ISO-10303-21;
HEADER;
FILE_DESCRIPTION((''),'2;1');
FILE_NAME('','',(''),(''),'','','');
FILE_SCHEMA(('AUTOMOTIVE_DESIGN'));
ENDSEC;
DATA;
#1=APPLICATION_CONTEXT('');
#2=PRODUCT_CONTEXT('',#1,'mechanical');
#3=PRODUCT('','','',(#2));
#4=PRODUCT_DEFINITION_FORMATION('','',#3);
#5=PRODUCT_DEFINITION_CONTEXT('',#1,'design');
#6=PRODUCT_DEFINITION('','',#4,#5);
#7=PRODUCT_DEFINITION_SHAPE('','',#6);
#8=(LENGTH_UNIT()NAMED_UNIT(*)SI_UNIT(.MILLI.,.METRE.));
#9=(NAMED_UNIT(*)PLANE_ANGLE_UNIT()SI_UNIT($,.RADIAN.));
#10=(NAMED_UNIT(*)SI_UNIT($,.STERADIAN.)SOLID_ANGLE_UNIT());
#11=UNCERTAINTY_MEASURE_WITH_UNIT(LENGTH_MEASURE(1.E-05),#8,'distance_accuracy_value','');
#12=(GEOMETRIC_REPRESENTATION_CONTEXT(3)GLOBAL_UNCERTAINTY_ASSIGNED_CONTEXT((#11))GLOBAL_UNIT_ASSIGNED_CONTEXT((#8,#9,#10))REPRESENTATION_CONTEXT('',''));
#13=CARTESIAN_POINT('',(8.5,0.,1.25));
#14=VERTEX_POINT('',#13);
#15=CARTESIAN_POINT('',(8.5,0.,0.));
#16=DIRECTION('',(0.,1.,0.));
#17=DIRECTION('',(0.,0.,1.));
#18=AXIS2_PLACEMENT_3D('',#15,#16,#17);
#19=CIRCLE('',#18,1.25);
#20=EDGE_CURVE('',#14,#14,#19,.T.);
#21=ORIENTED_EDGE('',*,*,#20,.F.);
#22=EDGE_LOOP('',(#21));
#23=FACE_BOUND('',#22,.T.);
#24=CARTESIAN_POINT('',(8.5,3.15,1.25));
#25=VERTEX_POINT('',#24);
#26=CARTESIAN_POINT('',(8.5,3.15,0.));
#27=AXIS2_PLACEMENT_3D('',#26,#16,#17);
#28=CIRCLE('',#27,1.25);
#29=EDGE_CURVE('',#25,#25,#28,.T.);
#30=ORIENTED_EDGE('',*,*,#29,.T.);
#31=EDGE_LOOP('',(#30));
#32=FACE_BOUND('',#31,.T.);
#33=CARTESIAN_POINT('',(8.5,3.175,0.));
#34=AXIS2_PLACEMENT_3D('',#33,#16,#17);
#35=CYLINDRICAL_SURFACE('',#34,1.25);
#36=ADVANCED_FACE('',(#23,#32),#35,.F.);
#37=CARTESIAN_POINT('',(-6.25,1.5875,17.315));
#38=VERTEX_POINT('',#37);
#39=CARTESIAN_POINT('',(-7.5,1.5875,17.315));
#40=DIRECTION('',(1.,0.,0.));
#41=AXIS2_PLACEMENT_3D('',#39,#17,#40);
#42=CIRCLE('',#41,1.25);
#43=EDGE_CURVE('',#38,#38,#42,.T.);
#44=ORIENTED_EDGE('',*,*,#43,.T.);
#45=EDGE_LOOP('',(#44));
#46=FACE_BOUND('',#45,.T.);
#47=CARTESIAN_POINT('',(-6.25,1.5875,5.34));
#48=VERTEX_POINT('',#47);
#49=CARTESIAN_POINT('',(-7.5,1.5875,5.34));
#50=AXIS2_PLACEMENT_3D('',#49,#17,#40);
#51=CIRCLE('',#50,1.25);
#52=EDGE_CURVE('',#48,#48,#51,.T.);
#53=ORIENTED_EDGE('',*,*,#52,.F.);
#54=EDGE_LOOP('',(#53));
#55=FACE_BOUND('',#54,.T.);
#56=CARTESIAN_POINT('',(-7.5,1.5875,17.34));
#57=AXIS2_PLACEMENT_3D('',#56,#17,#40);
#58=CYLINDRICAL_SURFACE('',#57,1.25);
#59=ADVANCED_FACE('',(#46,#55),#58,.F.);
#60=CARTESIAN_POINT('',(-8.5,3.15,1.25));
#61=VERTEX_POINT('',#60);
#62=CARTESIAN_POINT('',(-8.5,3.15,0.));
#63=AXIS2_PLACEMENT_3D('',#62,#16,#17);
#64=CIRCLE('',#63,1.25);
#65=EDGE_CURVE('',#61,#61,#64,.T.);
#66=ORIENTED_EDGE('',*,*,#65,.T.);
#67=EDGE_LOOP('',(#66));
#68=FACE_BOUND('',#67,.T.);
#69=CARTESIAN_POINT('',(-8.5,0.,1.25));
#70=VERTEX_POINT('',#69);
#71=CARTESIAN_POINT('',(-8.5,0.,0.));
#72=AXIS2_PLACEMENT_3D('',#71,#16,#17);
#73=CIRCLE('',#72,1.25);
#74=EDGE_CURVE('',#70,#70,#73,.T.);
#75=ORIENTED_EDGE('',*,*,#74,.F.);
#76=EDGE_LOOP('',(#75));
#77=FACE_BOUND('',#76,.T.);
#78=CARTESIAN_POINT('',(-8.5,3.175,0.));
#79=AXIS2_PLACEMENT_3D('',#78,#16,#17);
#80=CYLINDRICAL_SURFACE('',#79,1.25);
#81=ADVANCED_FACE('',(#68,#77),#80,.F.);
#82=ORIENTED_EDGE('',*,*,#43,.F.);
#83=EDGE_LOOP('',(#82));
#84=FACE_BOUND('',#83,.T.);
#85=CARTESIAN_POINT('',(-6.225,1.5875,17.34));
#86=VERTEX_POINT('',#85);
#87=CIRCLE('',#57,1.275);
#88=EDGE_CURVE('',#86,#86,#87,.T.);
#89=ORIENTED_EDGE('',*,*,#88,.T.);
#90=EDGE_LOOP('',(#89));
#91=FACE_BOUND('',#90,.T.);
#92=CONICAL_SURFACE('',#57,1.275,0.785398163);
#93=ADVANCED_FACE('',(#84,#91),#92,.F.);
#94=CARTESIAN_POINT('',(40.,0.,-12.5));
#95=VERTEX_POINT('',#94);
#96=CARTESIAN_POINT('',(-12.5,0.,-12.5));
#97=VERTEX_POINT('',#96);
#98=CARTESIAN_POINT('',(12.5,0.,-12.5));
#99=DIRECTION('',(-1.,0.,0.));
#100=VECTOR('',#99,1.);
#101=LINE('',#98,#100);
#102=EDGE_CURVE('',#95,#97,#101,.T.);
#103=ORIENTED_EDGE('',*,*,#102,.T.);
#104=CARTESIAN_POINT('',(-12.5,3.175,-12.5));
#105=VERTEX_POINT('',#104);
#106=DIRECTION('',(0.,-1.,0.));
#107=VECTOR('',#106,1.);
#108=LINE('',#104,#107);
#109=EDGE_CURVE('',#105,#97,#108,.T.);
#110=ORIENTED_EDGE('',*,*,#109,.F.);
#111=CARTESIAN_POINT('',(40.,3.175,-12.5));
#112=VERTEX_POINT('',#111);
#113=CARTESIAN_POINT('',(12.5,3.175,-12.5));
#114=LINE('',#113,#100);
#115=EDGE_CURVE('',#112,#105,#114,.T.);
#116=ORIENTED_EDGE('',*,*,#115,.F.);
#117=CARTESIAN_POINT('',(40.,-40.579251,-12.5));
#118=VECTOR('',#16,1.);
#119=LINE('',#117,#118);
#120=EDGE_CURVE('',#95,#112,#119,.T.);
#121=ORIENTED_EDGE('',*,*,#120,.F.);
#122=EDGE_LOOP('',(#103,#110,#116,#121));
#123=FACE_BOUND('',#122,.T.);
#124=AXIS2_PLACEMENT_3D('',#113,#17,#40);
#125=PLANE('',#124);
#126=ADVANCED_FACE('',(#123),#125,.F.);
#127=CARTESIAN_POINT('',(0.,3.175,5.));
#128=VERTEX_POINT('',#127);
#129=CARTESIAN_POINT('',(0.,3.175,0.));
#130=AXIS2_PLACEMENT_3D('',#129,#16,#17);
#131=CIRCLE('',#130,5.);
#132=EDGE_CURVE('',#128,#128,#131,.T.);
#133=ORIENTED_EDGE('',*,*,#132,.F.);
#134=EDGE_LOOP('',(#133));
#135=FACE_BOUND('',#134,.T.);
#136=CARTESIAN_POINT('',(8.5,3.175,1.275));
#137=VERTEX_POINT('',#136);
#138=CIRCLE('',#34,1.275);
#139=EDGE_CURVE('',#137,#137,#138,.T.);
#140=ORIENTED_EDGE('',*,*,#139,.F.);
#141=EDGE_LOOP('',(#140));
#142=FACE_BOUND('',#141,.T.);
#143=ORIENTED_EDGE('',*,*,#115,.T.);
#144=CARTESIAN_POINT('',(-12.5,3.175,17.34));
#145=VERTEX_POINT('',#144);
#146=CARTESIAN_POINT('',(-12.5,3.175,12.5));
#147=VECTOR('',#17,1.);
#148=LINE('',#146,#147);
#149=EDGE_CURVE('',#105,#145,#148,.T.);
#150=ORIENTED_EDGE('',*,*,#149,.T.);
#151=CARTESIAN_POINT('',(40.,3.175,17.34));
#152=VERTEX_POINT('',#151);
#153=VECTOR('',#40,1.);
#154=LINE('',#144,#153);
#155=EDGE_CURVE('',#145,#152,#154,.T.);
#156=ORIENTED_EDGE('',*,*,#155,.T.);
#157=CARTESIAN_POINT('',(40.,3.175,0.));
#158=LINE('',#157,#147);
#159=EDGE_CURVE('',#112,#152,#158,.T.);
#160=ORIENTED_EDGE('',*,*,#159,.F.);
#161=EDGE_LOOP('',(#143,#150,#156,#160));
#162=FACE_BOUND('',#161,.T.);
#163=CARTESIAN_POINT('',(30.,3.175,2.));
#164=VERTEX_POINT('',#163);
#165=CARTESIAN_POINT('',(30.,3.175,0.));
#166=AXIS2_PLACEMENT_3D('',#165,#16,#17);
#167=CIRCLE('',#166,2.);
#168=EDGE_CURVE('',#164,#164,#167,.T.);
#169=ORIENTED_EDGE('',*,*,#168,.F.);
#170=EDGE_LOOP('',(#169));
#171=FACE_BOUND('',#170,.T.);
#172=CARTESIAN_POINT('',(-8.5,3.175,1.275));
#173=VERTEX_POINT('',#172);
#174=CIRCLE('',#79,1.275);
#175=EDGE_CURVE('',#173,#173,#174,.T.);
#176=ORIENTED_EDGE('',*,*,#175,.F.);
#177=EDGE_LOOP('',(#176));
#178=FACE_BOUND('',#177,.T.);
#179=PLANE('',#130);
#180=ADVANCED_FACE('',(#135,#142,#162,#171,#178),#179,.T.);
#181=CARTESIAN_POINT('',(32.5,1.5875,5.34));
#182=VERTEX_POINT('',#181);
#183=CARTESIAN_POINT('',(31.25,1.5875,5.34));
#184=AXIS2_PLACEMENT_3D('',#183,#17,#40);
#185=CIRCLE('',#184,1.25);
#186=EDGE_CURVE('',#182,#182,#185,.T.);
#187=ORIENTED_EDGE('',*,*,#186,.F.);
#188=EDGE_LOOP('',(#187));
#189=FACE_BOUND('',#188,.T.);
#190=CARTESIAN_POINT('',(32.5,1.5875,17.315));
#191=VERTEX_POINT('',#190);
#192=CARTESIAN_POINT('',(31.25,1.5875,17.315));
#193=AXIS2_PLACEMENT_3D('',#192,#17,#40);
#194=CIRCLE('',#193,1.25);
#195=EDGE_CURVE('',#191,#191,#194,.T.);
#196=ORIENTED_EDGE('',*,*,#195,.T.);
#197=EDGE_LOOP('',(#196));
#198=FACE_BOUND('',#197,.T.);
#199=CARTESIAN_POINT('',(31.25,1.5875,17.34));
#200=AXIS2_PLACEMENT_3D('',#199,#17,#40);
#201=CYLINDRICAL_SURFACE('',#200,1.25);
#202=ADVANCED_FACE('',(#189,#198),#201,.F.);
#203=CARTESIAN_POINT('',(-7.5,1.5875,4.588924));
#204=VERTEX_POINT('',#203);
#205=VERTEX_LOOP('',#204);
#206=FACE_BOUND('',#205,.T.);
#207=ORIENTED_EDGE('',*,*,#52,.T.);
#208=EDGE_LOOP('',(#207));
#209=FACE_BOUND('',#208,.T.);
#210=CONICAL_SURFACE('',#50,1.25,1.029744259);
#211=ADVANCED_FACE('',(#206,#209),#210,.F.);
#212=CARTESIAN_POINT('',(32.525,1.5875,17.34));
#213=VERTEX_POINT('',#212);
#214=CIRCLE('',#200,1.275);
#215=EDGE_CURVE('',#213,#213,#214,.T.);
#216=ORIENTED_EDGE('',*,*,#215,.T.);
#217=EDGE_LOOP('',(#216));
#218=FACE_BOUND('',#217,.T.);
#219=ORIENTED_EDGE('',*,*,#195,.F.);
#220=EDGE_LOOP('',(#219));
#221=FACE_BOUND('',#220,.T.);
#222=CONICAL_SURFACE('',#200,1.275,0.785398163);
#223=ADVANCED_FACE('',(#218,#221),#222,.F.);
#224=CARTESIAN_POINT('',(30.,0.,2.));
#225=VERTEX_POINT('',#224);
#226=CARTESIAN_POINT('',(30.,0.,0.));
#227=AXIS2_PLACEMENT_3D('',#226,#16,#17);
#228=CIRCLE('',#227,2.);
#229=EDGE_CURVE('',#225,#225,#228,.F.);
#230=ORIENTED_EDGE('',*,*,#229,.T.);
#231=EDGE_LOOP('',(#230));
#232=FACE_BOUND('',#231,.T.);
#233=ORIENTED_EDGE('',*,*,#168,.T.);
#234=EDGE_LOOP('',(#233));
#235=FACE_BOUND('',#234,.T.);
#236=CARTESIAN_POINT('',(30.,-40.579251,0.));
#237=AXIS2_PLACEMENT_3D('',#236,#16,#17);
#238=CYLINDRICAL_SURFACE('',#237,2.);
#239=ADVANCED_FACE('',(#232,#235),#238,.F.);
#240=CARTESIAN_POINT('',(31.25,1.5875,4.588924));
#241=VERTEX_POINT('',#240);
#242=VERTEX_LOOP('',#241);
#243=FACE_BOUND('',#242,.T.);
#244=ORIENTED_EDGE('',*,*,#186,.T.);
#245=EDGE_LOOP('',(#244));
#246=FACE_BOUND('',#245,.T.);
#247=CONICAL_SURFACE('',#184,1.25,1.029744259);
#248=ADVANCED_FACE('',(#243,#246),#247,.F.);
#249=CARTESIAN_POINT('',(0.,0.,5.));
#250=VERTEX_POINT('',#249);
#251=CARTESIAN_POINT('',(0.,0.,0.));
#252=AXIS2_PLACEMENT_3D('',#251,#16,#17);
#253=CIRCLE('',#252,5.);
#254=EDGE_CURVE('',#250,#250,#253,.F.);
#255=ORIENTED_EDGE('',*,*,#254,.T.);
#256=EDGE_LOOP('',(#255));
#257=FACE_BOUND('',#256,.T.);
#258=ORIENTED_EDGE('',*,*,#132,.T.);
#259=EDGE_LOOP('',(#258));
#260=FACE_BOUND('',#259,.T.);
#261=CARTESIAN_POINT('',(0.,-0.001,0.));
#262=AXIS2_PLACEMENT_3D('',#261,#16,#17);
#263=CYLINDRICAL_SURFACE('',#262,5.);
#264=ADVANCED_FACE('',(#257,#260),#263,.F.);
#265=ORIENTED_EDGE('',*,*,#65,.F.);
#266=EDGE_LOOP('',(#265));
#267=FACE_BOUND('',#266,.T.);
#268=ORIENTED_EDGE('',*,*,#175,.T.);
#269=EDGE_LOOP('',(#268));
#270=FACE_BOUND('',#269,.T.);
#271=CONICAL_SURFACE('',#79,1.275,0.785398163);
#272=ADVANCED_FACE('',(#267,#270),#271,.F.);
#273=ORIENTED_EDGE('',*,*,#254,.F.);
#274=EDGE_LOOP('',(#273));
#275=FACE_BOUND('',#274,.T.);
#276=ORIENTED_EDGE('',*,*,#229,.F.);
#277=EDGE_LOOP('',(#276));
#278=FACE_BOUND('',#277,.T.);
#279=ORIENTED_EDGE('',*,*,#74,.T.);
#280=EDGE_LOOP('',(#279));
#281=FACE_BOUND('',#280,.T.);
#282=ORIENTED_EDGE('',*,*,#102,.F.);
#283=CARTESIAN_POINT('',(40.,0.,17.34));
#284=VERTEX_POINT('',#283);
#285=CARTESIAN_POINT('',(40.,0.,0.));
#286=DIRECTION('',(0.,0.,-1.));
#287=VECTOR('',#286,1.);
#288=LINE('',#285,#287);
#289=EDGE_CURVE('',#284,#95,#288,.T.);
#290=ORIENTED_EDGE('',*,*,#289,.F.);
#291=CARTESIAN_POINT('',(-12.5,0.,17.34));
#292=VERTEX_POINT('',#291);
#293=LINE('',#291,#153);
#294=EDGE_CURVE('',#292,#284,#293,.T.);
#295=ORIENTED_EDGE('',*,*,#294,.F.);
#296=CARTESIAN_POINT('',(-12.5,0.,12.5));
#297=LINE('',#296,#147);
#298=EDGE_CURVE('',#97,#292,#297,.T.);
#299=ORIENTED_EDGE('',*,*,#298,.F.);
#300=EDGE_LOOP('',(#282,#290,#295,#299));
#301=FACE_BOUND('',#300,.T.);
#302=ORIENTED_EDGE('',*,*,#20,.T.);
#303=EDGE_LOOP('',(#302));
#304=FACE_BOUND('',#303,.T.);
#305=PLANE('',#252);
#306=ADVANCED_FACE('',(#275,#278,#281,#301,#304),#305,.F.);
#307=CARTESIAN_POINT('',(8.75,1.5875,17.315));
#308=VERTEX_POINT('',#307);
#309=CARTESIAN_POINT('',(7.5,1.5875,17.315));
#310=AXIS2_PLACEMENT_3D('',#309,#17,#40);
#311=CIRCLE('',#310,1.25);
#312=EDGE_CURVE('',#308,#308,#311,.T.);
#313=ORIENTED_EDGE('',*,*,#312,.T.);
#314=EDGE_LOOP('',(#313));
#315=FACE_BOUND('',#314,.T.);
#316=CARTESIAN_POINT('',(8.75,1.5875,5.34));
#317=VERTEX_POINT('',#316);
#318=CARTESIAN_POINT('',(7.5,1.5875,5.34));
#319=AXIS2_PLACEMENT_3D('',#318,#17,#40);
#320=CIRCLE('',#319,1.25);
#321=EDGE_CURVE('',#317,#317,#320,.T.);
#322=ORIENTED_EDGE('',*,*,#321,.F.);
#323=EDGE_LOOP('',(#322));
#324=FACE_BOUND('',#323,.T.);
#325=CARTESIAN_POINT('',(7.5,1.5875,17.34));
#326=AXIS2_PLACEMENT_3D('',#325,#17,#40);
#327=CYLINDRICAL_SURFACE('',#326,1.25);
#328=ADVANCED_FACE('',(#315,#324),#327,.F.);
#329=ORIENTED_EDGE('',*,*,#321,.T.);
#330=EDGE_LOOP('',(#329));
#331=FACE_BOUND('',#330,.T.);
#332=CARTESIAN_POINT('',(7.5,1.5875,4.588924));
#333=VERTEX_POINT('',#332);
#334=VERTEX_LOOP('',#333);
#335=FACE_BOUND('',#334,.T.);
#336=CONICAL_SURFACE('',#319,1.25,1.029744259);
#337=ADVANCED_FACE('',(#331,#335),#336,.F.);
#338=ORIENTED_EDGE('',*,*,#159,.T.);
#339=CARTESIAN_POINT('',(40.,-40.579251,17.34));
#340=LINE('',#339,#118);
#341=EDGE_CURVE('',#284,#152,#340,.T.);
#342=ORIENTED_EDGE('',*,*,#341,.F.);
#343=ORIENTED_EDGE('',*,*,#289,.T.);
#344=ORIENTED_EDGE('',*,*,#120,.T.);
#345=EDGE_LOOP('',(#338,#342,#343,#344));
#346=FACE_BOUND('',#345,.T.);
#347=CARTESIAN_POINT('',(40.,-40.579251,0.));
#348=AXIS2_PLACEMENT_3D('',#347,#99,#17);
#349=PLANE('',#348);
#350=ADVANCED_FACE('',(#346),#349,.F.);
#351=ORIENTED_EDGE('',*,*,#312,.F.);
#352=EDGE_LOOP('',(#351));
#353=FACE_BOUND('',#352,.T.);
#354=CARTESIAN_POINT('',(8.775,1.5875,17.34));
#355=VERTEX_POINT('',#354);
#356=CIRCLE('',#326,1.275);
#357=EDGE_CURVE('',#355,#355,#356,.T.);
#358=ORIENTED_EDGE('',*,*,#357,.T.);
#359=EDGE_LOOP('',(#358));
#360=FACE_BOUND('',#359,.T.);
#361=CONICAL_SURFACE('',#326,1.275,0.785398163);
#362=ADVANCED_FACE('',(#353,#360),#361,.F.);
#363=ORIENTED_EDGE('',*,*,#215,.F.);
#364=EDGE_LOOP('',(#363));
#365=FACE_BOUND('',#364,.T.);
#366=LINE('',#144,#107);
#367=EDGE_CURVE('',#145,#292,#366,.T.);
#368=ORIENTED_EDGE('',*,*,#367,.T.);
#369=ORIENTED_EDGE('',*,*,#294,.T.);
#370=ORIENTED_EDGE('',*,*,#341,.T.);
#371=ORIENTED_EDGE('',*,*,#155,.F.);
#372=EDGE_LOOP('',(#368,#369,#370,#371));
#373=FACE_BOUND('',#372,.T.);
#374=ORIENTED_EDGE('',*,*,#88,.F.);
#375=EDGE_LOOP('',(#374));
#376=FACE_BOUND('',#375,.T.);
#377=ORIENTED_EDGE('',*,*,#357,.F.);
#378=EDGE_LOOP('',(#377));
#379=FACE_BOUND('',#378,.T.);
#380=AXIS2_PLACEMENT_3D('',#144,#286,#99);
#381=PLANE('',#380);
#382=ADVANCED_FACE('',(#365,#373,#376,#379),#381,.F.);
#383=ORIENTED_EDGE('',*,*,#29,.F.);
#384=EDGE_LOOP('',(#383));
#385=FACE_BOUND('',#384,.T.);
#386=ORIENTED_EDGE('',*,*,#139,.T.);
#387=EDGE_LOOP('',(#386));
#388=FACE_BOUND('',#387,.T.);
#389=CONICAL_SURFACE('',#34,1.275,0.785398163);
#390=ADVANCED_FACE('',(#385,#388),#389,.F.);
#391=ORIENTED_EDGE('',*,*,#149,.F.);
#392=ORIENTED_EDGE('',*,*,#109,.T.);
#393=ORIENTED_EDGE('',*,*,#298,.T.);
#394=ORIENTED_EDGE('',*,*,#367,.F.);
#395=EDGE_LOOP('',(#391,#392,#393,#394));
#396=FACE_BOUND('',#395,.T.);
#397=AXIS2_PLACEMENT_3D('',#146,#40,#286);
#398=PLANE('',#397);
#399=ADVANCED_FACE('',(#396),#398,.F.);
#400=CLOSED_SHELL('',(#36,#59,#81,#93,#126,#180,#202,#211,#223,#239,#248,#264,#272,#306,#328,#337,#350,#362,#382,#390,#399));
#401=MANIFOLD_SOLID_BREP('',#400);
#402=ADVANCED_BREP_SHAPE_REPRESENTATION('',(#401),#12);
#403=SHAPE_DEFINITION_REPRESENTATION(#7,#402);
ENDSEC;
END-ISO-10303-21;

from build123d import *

# Parameters (mm, degrees)
BOSS_EXTRUDE1_DEPTH                   = 3.175
TAP_DRILL_FOR_M3X0_5_TAP1_D           = 2.5
TAP_DRILL_FOR_M3X0_5_TAP1_CSINK_D     = 2.55
TAP_DRILL_FOR_M3X0_5_TAP1_CSINK_ANGLE = 90
CUT_EXTRUDE1_REACH                    = 23.61
SKETCH8_R                             = 5
SKETCH9_W                             = 27.5
SKETCH9_H                             = 29.84
SKETCH9_R                             = 2
BOSS_EXTRUDE2_DEPTH                   = 3.175
TAP_DRILL_FOR_M3X0_5_TAP2_D           = 2.5
TAP_DRILL_FOR_M3X0_5_TAP2_DEPTH       = 12
TAP_DRILL_FOR_M3X0_5_TAP2_CSINK_D     = 2.55
TAP_DRILL_FOR_M3X0_5_TAP2_CSINK_ANGLE = 90
TAP_DRILL_FOR_M3X0_5_TAP2_TIP         = 0.751075774


with BuildPart() as part:
    # Sketch1 → Boss-Extrude1 (new body)
    with BuildSketch(Plane(origin=(0, 0, 0), x_dir=(1, 0, 0), z_dir=(0, 1, 0))):
        Polygon((-12.5, -12.5), (-12.5, -17.34), (12.5, -17.34), (12.5, -12.5), (12.5, 12.5), (-12.5, 12.5), align=None)
    extrude(amount=BOSS_EXTRUDE1_DEPTH)

    # Tap Drill for M3x0.5 Tap1 (through all)
    with Locations(Plane(origin=(0, 3.175, 0), x_dir=(1, 0, 0), z_dir=(0, 1, 0))):
        with Locations((-8.5, 0), (8.5, 0)):
            CounterSinkHole(TAP_DRILL_FOR_M3X0_5_TAP1_D / 2, TAP_DRILL_FOR_M3X0_5_TAP1_CSINK_D / 2, counter_sink_angle=TAP_DRILL_FOR_M3X0_5_TAP1_CSINK_ANGLE)

    # Sketch8 → Cut-Extrude1 (cut, up to next)
    with BuildSketch(Plane(origin=(0, 3.175, 0), x_dir=(1, 0, 0), z_dir=(0, 1, 0)), mode=Mode.PRIVATE) as cut_extrude1_sk1:
        with Locations(Location((0, 0, 0), (0, 0, 270))):
            Circle(SKETCH8_R)
    cut_extrude1_tool1 = extrude(cut_extrude1_sk1.sketch, amount=-CUT_EXTRUDE1_REACH, mode=Mode.PRIVATE) & part.part
    add(cut_extrude1_tool1.solids().sort_by_distance((0, 3.175, 0))[0], mode=Mode.SUBTRACT)

    # Sketch9 → Boss-Extrude2 (add)
    with BuildSketch(Plane(origin=(0, 3.175, 0), x_dir=(1, 0, 0), z_dir=(0, 1, 0))):
        with Locations((26.25, -2.42)):
            Rectangle(SKETCH9_W, SKETCH9_H)
        with Locations(Location((30, 0, 0), (0, 0, 270))):
            Circle(SKETCH9_R, mode=Mode.SUBTRACT)
    extrude(amount=-BOSS_EXTRUDE2_DEPTH)

    # Tap Drill for M3x0.5 Tap2
    with Locations(Plane.XY.offset(17.34)):
        with Locations((-7.5, 1.5875), (7.5, 1.5875), (31.25, 1.5875)):
            CounterSinkHole(TAP_DRILL_FOR_M3X0_5_TAP2_D / 2, TAP_DRILL_FOR_M3X0_5_TAP2_CSINK_D / 2, depth=TAP_DRILL_FOR_M3X0_5_TAP2_DEPTH, counter_sink_angle=TAP_DRILL_FOR_M3X0_5_TAP2_CSINK_ANGLE)
            with Locations((0, 0, -(TAP_DRILL_FOR_M3X0_5_TAP2_DEPTH + TAP_DRILL_FOR_M3X0_5_TAP2_TIP / 2))):  # 118° drill point
                Cone(0, TAP_DRILL_FOR_M3X0_5_TAP2_D / 2, TAP_DRILL_FOR_M3X0_5_TAP2_TIP, mode=Mode.SUBTRACT)


solid = part.part
